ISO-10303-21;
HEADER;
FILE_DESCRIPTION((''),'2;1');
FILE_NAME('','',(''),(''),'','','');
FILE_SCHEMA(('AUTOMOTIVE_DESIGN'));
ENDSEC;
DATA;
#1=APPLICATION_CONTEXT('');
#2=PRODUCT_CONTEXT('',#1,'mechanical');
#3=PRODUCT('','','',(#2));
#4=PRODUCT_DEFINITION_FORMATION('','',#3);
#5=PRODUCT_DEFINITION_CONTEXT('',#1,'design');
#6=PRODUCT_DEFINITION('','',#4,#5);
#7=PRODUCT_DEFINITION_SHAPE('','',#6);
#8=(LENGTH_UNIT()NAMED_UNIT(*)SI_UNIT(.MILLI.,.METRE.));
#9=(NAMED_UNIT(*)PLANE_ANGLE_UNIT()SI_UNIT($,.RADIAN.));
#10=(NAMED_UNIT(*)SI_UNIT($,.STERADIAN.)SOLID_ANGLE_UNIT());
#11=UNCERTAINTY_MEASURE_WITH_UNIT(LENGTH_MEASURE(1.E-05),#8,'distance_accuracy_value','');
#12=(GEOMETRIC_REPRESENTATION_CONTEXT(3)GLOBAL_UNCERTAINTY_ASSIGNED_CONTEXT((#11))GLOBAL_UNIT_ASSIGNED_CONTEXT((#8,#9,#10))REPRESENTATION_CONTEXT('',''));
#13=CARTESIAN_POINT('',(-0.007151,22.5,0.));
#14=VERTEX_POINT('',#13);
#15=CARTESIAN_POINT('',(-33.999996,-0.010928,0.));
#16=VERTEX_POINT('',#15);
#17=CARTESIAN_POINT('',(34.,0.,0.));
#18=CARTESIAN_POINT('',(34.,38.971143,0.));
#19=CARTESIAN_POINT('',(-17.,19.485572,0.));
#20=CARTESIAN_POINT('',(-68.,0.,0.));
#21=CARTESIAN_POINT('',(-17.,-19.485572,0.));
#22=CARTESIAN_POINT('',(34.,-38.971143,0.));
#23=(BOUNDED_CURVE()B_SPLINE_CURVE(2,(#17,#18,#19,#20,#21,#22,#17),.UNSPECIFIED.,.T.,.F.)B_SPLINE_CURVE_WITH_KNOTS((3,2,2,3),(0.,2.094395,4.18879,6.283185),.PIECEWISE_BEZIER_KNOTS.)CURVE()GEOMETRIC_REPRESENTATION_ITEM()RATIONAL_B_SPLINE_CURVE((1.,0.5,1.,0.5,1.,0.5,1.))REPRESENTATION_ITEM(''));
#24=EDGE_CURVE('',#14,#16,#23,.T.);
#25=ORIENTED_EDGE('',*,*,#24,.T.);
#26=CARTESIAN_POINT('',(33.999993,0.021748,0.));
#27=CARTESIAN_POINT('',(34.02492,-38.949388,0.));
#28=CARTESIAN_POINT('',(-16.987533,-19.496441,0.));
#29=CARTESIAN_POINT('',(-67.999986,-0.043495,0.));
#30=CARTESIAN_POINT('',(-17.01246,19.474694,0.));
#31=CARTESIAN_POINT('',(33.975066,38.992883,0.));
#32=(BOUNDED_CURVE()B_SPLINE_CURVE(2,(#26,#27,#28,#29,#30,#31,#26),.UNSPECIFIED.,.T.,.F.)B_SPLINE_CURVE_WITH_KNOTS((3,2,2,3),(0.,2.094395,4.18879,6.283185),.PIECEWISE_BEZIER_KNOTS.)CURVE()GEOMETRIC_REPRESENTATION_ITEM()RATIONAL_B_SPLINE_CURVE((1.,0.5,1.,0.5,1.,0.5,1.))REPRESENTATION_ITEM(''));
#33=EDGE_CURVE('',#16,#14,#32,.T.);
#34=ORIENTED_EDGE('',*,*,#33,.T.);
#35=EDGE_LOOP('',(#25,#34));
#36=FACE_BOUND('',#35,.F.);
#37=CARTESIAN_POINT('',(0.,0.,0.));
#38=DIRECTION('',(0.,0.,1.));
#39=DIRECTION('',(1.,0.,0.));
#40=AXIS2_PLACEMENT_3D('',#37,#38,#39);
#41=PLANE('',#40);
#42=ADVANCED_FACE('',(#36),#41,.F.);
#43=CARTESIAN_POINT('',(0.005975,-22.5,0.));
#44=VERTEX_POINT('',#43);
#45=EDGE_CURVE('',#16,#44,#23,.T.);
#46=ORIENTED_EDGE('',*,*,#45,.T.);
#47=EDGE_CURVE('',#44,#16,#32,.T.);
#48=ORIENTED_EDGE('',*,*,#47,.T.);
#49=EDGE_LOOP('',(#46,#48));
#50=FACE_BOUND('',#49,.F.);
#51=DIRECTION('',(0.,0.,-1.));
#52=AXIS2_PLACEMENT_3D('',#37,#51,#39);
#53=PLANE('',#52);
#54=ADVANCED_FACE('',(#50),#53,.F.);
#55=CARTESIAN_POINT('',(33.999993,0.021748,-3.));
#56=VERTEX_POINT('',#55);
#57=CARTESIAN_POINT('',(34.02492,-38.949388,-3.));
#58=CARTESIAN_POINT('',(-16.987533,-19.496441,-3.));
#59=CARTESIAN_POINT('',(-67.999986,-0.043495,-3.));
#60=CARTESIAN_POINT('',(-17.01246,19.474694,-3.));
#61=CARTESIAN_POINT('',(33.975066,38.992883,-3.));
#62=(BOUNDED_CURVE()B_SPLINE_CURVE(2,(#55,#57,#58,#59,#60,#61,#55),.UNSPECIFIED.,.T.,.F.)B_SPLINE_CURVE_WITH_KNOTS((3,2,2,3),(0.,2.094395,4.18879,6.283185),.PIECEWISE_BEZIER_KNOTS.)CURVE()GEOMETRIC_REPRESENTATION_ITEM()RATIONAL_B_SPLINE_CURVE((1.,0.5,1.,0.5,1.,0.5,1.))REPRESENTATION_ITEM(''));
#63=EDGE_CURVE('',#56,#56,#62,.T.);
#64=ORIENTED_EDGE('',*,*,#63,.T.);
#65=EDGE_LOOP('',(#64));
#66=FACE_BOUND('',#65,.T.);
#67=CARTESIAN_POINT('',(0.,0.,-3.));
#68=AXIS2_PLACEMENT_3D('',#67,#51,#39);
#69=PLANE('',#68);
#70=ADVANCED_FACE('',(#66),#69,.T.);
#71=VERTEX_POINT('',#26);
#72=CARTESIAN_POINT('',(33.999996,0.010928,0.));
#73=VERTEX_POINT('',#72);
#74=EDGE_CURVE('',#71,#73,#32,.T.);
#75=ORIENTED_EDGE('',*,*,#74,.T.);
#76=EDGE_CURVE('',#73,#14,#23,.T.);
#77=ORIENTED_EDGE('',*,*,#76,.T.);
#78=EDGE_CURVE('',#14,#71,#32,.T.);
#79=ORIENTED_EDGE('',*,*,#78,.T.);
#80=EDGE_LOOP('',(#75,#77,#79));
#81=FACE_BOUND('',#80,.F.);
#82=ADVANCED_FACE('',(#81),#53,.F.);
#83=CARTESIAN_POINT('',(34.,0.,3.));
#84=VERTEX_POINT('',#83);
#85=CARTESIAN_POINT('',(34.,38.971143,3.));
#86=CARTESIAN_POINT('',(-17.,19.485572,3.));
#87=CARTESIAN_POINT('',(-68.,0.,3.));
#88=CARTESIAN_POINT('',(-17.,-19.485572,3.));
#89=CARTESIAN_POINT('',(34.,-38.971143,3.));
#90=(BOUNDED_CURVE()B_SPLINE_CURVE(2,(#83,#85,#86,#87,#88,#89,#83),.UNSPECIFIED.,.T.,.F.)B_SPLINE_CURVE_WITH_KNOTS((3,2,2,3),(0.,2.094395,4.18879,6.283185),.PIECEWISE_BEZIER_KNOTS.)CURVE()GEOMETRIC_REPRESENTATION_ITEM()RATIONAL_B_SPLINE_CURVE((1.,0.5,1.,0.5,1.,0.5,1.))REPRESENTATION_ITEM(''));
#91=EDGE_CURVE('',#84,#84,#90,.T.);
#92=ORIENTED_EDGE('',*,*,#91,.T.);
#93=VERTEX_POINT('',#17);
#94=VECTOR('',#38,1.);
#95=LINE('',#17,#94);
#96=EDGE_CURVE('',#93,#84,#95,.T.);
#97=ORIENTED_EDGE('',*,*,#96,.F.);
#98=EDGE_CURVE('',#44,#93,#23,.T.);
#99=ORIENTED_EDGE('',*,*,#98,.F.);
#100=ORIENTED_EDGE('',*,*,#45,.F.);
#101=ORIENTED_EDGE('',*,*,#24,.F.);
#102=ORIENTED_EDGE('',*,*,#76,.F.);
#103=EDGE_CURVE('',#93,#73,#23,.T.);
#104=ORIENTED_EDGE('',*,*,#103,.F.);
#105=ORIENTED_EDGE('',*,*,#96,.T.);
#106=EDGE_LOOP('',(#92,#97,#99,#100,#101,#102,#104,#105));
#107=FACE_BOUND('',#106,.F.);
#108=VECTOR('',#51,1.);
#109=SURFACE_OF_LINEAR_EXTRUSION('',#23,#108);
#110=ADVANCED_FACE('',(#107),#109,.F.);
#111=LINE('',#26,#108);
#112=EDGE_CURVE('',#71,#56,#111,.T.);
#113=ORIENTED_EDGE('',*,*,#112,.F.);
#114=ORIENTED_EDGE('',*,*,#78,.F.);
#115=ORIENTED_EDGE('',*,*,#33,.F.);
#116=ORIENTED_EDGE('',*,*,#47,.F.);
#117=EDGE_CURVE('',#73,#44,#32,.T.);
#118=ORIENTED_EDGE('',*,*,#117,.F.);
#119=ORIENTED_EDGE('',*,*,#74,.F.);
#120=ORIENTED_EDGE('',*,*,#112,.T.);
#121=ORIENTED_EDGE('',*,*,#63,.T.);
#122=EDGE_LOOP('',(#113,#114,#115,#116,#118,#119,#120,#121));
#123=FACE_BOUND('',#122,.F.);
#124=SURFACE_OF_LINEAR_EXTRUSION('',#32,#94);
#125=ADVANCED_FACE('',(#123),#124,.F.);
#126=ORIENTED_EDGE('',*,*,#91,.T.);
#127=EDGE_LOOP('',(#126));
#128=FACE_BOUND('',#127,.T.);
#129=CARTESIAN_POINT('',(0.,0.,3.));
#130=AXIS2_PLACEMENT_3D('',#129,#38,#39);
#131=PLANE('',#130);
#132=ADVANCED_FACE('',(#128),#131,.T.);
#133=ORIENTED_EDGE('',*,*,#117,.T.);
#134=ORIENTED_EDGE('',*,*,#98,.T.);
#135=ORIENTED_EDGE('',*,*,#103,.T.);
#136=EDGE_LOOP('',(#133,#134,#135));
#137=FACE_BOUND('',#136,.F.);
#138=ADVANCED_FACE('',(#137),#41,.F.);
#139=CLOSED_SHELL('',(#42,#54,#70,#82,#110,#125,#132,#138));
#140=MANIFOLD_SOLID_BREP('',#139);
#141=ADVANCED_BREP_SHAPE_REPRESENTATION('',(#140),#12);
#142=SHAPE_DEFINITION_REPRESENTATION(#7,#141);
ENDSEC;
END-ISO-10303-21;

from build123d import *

# Parameters (mm, degrees)
PAD_DEPTH    = 3
PAD001_DEPTH = 3


with BuildPart() as part:
    # Sketch → Pad (new body)
    with BuildSketch(Plane.XY):
        with BuildLine():
            add(Edge.make_bspline(
                [(34, 0), (34, 38.971143), (-17, 19.485572), (-68, 0), (-17, -19.485572), (34, -38.971143), (34, 0)],
                knots=[0, 0, 0, 2.094395, 2.094395, 4.18879, 4.18879, 6.283185, 6.283185, 6.283185], degree=2, weights=[1, 0.5, 1, 0.5, 1, 0.5, 1]))
        make_face()
    extrude(amount=PAD_DEPTH)

    # Sketch002 → Pad001 (join)
    with BuildSketch(Plane(origin=(0, 0, 0), x_dir=(1, 0, 0), z_dir=(0, 0, -1))):
        with BuildLine():
            add(Edge.make_bspline(
                [(33.999993, -0.021748), (34.02492, 38.949388), (-16.987533, 19.496441), (-67.999986, 0.043495), (-17.01246, -19.474694), (33.975066, -38.992883), (33.999993, -0.021748)],
                knots=[0, 0, 0, 2.094395, 2.094395, 4.18879, 4.18879, 6.283185, 6.283185, 6.283185], degree=2, weights=[1, 0.5, 1, 0.5, 1, 0.5, 1]))
        make_face()
    extrude(amount=PAD001_DEPTH)


solid = part.part
